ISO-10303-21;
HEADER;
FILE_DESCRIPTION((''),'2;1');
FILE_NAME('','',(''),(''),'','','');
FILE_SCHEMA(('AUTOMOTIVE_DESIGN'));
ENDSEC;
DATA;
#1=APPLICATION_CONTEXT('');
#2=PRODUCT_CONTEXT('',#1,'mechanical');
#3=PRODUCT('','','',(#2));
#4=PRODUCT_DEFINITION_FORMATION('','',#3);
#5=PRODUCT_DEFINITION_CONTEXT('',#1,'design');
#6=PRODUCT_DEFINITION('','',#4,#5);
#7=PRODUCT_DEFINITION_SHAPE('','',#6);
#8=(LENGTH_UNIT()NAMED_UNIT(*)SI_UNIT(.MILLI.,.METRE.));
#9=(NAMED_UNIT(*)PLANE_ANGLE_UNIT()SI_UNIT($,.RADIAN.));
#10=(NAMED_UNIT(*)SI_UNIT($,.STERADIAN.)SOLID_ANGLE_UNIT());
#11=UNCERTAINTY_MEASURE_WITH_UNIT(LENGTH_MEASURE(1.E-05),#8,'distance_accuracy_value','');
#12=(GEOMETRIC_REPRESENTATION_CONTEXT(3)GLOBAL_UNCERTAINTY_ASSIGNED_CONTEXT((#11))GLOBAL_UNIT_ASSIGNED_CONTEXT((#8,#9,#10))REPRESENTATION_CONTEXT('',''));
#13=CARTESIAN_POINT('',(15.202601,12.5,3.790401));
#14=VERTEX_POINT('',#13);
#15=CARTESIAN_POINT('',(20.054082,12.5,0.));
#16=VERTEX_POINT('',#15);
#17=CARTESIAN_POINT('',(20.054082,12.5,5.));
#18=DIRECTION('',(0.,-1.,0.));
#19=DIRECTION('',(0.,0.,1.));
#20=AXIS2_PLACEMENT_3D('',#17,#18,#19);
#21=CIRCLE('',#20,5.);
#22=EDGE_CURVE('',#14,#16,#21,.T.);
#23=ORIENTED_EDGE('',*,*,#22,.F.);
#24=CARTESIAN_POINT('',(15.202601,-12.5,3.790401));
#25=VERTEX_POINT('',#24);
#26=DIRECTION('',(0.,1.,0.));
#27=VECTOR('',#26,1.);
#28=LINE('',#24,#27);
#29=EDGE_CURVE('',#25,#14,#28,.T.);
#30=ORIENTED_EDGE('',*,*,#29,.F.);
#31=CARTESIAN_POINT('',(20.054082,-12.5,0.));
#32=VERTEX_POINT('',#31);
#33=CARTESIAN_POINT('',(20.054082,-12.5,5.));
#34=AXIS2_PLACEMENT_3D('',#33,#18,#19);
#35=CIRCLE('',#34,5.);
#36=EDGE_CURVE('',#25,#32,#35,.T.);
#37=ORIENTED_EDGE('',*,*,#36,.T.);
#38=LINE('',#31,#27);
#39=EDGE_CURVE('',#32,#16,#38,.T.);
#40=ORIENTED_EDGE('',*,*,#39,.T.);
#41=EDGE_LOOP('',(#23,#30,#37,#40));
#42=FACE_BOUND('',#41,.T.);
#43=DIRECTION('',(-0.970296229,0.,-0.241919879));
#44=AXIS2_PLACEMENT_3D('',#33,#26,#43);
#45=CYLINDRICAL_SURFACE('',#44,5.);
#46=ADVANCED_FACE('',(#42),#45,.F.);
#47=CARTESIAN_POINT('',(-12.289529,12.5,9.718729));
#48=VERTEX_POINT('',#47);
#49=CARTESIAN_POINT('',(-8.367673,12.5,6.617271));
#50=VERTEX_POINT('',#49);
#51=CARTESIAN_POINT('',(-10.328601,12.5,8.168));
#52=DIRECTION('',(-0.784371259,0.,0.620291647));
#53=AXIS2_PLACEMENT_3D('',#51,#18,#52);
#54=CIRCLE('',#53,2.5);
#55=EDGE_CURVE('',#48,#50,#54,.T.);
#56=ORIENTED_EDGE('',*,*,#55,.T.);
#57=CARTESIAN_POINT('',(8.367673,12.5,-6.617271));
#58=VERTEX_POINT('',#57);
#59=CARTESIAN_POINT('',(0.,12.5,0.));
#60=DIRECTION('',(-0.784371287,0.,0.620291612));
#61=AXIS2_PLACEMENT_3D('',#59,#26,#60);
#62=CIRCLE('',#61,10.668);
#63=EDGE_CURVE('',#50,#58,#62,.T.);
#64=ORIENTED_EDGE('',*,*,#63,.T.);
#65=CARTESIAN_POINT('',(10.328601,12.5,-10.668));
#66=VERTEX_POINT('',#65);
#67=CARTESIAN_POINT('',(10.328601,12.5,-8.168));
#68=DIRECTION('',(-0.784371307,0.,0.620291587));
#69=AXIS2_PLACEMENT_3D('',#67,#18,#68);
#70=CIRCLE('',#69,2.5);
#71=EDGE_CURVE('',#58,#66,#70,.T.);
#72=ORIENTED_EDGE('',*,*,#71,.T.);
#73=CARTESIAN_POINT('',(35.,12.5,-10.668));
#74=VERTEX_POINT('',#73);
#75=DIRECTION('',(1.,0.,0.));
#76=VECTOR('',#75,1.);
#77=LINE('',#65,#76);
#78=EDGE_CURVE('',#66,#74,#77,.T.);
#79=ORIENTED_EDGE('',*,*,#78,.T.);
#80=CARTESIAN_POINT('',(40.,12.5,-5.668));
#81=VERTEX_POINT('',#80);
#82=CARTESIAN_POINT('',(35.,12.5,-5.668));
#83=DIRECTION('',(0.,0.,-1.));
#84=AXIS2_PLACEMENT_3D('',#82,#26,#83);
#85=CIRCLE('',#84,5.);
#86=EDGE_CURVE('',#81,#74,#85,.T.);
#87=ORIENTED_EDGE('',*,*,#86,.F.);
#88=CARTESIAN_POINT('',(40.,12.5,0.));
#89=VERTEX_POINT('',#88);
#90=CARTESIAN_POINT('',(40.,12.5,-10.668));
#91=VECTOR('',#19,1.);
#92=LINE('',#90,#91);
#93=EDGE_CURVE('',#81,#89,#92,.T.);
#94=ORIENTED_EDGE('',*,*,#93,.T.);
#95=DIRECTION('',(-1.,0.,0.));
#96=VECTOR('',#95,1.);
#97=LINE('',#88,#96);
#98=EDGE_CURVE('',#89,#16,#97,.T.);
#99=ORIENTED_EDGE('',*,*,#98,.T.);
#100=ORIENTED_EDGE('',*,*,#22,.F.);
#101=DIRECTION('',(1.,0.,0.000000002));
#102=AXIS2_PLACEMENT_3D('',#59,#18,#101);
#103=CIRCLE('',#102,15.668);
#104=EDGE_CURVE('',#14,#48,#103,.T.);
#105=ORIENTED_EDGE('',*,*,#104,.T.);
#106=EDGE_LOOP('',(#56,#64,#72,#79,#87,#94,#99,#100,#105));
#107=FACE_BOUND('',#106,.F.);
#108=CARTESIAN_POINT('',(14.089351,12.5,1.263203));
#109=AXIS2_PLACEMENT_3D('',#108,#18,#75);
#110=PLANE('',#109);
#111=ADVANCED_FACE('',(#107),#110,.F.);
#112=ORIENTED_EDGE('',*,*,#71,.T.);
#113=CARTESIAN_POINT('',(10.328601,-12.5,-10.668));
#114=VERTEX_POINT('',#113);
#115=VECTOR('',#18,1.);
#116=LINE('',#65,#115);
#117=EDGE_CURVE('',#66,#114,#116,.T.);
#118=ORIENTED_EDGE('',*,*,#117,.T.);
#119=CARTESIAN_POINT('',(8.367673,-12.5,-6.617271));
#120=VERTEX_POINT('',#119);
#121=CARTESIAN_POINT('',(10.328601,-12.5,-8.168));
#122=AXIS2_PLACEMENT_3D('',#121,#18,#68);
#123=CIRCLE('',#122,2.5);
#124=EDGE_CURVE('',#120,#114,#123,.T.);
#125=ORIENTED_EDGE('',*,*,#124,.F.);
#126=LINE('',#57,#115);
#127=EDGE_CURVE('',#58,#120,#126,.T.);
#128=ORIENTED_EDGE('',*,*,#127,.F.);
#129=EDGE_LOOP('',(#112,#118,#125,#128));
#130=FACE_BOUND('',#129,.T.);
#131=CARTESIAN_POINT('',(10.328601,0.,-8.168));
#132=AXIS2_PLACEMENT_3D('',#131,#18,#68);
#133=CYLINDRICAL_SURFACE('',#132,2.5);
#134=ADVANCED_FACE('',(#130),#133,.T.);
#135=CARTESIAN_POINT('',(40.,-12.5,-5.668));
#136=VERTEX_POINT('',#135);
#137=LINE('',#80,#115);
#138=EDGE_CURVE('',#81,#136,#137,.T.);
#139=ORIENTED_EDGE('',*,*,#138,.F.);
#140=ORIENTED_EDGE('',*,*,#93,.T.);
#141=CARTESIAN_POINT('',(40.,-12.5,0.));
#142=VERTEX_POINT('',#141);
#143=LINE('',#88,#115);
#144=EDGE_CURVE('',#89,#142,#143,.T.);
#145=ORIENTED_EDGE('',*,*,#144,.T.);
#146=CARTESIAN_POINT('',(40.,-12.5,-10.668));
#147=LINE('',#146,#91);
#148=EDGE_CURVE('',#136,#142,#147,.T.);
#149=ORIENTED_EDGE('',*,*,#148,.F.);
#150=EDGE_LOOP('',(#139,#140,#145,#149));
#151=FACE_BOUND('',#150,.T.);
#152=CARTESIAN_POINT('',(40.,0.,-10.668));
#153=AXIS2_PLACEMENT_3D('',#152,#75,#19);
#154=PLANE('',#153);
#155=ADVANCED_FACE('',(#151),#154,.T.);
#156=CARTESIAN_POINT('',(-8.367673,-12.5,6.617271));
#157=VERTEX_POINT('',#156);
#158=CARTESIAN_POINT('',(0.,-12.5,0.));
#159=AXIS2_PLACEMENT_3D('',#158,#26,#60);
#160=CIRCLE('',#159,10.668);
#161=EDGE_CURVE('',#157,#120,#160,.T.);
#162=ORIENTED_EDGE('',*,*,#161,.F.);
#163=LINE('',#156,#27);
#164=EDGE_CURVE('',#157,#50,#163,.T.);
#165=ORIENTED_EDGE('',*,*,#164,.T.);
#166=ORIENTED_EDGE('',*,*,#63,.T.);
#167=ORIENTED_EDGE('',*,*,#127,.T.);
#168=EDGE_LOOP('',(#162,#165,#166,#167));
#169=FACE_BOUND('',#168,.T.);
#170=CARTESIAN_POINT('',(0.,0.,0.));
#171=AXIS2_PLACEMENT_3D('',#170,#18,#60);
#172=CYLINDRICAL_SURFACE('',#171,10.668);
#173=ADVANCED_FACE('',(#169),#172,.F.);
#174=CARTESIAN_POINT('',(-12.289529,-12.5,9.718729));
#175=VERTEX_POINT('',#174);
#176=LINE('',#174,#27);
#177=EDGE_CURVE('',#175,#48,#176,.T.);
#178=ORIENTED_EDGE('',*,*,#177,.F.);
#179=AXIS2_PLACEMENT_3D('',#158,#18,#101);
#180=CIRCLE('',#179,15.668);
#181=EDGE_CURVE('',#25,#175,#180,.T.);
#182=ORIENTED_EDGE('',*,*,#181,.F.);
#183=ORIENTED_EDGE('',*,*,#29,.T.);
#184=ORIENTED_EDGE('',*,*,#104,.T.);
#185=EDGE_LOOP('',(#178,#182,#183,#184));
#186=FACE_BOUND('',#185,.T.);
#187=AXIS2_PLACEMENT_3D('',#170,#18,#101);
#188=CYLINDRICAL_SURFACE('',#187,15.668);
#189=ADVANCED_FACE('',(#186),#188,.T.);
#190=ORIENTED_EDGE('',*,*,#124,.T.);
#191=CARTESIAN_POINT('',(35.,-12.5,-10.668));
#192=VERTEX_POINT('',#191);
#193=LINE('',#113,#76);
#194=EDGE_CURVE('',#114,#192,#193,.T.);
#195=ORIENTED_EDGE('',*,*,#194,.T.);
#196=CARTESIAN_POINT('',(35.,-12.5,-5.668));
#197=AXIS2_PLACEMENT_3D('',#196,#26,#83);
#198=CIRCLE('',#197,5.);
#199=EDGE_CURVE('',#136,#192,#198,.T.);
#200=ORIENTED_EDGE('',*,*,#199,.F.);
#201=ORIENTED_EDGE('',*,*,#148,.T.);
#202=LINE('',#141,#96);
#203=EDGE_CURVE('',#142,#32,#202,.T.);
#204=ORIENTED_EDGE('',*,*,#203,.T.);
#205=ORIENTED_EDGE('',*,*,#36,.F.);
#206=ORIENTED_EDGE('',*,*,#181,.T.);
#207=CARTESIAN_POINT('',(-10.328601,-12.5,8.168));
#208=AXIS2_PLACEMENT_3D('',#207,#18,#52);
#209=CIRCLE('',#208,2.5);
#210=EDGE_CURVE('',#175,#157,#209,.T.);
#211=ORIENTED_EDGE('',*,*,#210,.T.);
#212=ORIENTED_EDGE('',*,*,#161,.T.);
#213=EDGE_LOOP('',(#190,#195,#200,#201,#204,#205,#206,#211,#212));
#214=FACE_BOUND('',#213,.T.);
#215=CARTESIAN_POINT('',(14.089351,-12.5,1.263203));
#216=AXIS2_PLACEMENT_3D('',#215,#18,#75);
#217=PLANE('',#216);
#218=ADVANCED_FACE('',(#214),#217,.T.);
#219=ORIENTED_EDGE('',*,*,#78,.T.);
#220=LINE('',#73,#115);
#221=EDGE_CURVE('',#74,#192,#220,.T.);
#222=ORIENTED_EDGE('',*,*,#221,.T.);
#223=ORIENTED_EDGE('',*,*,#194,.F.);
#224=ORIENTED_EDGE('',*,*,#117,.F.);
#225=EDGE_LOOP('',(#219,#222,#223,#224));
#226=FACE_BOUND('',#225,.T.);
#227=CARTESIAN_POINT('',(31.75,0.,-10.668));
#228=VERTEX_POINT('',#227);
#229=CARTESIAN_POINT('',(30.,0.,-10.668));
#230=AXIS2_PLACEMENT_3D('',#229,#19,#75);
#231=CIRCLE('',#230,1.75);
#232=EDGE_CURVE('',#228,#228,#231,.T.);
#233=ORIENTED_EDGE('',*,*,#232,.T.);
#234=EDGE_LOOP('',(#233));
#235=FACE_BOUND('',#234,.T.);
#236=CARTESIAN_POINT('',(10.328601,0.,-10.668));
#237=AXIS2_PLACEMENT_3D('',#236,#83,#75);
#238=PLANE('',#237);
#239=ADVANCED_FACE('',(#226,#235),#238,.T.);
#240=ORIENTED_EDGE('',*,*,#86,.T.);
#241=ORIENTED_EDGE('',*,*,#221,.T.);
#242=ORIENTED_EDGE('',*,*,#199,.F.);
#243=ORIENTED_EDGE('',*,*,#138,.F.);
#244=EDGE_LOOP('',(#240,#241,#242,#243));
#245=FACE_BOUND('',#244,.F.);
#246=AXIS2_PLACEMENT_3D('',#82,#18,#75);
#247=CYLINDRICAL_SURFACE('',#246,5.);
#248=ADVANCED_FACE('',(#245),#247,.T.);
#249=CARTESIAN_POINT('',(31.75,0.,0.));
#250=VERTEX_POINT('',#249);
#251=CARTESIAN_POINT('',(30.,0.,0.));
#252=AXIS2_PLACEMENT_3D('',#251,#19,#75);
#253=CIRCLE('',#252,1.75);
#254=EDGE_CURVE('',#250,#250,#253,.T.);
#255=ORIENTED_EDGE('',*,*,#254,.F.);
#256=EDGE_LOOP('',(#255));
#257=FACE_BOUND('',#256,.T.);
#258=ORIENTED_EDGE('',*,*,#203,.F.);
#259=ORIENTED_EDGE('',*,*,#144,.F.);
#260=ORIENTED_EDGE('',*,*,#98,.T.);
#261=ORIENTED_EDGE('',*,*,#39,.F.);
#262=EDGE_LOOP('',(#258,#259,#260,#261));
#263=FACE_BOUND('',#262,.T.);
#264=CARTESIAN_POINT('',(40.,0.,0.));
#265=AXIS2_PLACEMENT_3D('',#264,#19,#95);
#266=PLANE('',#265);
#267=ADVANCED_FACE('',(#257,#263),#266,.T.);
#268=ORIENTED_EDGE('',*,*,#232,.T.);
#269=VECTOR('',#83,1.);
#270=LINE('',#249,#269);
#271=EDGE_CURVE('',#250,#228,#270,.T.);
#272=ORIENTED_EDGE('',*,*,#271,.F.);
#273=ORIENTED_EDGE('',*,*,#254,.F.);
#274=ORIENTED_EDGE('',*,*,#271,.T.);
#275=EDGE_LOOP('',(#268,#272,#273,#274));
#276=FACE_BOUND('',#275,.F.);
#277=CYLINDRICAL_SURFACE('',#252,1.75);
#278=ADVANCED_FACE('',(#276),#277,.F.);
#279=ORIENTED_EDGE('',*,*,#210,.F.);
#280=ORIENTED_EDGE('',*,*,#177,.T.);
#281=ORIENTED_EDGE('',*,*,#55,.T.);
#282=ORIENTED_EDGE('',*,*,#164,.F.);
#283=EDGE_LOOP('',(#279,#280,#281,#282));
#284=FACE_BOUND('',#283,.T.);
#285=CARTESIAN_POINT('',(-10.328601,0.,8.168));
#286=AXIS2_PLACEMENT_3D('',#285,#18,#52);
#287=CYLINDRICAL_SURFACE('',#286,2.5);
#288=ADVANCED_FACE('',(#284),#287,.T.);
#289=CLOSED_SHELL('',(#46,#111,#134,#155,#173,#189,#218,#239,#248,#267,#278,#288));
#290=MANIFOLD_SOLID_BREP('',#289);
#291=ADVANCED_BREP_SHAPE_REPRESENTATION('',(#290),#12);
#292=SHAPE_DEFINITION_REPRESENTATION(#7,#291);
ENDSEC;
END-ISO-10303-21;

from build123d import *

# Parameters (mm, degrees)
F1_DEPTH = 12.5
F2_R     = 5
F3_R     = 1.75
F4_DEPTH = 10.669


with BuildPart() as f1:
    # F0 (on Front) → F1 (new body, symmetric)
    with BuildSketch(Plane.XZ):
        with BuildLine():
            ThreePointArc((-8.367673, 6.617271), (6.617271, 8.367673), (8.367673, -6.617271))
            ThreePointArc((8.367673, -6.617271), (8.078399, -9.257307), (10.328601, -10.668))
            Line((10.328601, -10.668), (40, -10.668))
            Line((40, -10.668), (40, 0))
            Line((40, 0), (15.668, 0))
            ThreePointArc((15.668, 0), (5.144603, 14.7993), (-12.289529, 9.718729))
            ThreePointArc((-12.289529, 9.718729), (-11.87933, 6.207072), (-8.367673, 6.617271))
        make_face()
    extrude(amount=F1_DEPTH, both=True)

    # F2
    f2_edges = [f1.edges().sort_by_distance(p)[0] for p in [
        (15.668, 0, 0),
        (40, 0, -10.668),
    ]]
    fillet(f2_edges, radius=F2_R)

    # F3 (on Top) → F4 (cut, through all)
    with BuildSketch(Plane.XY):
        with Locations((30, 0)):
            Circle(F3_R)
    extrude(amount=-F4_DEPTH, mode=Mode.SUBTRACT)


solid = f1.part
